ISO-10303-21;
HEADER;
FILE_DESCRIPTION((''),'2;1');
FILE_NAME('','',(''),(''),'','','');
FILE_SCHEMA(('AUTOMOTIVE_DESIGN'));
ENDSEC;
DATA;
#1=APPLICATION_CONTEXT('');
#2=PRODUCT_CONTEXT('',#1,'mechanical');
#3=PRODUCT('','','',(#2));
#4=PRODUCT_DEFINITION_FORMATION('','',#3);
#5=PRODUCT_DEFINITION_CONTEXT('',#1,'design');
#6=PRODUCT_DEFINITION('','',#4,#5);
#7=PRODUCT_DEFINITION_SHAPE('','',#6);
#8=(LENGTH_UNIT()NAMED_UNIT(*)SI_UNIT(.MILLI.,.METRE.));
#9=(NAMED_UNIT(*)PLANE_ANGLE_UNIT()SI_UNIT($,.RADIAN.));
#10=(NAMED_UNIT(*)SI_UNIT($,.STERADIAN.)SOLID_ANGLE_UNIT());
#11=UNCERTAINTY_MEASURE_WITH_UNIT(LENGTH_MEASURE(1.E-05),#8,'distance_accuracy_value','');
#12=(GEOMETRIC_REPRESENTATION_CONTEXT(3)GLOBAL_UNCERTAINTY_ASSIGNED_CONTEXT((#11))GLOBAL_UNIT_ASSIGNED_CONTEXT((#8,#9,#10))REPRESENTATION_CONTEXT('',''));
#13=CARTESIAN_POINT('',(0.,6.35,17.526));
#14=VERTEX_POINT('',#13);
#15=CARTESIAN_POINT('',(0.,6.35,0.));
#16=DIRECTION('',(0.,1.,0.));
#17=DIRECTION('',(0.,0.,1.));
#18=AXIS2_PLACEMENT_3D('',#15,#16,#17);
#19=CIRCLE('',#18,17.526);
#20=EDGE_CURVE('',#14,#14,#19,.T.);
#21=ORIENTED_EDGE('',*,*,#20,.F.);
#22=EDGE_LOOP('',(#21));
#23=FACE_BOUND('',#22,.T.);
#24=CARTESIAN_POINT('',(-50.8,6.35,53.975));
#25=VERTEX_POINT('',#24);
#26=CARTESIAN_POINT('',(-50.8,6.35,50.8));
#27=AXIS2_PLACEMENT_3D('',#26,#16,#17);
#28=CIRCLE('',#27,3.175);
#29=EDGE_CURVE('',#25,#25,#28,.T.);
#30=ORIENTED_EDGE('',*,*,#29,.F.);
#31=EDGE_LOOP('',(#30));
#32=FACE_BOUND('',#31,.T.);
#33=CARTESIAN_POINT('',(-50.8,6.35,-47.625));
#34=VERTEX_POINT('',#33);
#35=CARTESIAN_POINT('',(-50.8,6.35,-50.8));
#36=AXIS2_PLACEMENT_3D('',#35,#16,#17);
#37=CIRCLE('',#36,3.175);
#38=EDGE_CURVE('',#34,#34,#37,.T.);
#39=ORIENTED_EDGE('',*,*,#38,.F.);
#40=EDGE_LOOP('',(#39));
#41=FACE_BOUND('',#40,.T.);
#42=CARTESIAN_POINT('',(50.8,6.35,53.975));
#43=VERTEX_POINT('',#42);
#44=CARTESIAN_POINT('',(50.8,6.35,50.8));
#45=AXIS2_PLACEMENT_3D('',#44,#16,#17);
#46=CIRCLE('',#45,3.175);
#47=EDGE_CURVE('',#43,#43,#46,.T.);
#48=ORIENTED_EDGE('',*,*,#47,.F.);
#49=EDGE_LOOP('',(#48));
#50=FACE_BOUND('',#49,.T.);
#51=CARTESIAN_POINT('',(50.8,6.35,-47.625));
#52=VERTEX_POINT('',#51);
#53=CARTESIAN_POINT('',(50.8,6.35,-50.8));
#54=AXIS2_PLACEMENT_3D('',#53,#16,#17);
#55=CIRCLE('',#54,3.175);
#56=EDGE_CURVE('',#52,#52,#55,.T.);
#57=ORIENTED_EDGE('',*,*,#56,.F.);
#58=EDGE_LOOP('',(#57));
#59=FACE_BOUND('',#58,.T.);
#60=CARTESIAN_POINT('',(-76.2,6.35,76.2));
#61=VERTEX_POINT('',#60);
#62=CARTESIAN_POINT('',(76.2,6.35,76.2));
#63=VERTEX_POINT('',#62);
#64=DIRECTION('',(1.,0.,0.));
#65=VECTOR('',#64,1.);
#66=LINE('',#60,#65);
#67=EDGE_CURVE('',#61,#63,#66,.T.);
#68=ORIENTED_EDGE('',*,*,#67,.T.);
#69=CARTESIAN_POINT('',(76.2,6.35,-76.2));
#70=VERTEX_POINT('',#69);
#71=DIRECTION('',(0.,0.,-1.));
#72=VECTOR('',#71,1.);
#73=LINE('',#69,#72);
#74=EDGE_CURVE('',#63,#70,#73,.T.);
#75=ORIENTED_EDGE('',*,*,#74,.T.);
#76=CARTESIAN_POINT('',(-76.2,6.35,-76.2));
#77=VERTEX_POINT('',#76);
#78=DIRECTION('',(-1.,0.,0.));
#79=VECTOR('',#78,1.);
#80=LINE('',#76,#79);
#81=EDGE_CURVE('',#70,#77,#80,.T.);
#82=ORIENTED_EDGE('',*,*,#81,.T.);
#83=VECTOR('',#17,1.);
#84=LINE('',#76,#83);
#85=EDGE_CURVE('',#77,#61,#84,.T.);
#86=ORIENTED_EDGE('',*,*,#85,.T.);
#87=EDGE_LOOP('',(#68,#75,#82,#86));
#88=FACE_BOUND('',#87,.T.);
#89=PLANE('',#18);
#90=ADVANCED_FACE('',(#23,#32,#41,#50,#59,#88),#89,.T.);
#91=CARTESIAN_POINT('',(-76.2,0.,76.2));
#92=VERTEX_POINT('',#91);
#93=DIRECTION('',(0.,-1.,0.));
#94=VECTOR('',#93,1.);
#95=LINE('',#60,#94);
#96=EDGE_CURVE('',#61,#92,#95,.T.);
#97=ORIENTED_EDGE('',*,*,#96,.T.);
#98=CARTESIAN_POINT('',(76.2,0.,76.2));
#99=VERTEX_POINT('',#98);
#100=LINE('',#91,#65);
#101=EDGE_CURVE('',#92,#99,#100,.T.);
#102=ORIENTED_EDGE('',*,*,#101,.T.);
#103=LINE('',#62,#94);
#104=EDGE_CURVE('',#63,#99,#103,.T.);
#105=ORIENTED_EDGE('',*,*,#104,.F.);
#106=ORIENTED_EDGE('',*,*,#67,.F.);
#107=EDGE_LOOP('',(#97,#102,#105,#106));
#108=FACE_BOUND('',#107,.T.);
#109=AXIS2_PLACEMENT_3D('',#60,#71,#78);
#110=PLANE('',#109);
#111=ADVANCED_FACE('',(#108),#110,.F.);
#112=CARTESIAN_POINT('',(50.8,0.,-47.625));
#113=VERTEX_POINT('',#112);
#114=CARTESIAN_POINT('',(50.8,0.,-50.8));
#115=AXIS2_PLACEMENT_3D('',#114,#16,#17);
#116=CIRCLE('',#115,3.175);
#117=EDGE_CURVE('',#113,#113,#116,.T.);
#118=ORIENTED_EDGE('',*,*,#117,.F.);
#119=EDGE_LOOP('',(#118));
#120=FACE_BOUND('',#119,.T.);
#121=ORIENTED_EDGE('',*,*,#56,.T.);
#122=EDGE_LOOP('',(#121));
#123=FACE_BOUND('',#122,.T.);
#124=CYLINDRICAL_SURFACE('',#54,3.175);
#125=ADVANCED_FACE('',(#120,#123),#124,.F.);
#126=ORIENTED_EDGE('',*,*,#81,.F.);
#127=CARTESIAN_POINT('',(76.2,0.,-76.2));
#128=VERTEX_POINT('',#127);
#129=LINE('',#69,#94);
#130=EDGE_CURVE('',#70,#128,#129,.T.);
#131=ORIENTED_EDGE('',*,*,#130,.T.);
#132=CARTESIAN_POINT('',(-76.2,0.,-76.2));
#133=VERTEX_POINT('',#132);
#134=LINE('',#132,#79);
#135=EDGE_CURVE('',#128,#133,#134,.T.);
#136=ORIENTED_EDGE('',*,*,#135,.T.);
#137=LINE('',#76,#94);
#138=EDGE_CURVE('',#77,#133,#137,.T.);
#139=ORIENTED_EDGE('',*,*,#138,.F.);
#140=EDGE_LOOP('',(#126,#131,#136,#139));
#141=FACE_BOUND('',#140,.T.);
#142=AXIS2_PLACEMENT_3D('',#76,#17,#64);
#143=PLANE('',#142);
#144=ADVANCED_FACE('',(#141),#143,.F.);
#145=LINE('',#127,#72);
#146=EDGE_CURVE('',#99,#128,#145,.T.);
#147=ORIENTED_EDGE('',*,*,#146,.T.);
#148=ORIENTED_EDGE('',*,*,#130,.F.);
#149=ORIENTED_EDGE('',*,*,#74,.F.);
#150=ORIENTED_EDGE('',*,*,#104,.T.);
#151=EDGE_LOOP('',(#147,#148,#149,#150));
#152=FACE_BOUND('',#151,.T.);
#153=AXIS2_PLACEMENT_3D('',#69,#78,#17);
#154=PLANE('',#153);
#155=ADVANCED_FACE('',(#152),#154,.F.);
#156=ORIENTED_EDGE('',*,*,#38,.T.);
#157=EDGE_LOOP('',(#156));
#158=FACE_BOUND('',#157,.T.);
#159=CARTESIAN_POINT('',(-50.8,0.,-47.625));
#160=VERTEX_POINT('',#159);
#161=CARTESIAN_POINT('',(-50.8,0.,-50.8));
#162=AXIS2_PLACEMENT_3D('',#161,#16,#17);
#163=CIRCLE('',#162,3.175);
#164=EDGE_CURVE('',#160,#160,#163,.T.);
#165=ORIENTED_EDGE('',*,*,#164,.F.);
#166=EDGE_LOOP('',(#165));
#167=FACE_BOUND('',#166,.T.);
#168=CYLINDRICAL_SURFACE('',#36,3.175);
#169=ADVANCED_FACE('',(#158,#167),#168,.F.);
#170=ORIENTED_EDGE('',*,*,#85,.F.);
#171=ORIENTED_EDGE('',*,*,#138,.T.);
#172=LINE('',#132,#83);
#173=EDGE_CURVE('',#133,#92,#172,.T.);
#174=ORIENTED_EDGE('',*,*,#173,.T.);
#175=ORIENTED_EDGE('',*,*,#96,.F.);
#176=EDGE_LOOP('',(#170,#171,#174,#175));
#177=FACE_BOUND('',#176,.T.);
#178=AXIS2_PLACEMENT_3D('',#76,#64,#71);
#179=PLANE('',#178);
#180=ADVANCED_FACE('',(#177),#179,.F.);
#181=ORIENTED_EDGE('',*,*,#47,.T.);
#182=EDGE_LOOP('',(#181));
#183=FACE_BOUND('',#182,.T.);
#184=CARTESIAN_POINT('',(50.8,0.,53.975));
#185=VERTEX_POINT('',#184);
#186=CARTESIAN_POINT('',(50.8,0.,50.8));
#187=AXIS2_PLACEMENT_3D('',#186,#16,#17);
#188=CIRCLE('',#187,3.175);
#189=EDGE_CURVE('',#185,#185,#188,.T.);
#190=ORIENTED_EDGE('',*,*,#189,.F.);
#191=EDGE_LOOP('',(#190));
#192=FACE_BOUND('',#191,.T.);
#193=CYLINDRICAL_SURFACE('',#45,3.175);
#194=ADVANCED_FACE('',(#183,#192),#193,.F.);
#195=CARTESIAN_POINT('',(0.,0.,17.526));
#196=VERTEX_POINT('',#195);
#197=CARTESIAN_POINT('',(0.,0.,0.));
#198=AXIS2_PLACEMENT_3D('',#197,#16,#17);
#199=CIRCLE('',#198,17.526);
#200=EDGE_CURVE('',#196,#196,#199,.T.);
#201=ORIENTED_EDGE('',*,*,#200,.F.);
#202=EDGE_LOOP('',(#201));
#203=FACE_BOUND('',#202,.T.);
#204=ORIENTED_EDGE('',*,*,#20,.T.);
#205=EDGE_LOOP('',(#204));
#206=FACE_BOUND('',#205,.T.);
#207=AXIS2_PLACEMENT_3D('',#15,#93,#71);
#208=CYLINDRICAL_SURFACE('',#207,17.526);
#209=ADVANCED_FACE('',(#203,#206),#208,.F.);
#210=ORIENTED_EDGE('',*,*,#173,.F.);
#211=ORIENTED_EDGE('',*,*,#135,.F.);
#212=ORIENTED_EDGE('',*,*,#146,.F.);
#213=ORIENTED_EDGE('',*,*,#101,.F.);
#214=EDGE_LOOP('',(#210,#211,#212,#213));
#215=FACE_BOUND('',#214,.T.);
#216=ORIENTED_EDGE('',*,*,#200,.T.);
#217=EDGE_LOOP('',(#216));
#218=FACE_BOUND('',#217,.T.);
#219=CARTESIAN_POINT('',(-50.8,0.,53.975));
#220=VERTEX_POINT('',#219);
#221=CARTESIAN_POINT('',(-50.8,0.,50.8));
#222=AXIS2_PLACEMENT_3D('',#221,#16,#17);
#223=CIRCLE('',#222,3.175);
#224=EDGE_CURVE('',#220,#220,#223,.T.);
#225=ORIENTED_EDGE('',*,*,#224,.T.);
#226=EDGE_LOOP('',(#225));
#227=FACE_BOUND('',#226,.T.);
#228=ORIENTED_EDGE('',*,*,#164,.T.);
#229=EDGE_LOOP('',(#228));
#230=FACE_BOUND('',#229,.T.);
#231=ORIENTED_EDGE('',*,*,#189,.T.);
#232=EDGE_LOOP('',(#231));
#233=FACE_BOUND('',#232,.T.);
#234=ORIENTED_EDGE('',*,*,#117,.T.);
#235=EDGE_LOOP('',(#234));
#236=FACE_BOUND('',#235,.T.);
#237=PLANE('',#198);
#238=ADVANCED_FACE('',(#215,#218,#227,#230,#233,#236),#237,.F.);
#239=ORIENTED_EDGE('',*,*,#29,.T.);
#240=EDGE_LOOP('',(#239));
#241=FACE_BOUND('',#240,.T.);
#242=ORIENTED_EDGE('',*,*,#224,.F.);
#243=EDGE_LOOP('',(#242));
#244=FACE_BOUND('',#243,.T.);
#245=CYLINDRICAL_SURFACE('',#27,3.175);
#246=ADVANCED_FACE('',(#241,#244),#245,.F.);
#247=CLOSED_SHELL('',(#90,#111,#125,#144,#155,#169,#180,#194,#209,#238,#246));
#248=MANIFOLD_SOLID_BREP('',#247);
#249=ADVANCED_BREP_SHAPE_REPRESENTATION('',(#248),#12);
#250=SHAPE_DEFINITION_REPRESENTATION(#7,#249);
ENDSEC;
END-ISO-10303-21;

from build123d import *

# Parameters (mm, degrees)
SKETCH1_W                   = 152.4
SKETCH1_H                   = 152.4
SKETCH1_R                   = 17.526
BASE_DEPTH                  = 6.35
F_1_4_0_25_DIAMETER_HOLE1_D = 6.35
CIRPATTERN1_COUNT           = 4


with BuildPart() as part:
    # Sketch1 → Base (new body)
    with BuildSketch(Plane(origin=(0, 0, 0), x_dir=(1, 0, 0), z_dir=(0, 1, 0))):
        Rectangle(SKETCH1_W, SKETCH1_H)
        with Locations(Location((0, 0, 0), (0, 0, 270))):
            Circle(SKETCH1_R, mode=Mode.SUBTRACT)
    extrude(amount=BASE_DEPTH)

    # 1/4 (0.25) Diameter Hole1 (through all)
    with Locations(Plane(origin=(0, 6.35, 0), x_dir=(1, 0, 0), z_dir=(0, 1, 0))):
        with Locations((50.8, -50.8)):
            f_1_4_0_25_diameter_hole1 = Hole(F_1_4_0_25_DIAMETER_HOLE1_D / 2)

    # CirPattern1: 1/4 (0.25) Diameter Hole1 ×4 about axis
    cirpattern1_axis = Axis((0, 0, 0), (0, 1, 0))
    for i in range(1, CIRPATTERN1_COUNT):
        add(f_1_4_0_25_diameter_hole1.rotate(cirpattern1_axis, i * 360 / CIRPATTERN1_COUNT), mode=Mode.SUBTRACT)


solid = part.part
